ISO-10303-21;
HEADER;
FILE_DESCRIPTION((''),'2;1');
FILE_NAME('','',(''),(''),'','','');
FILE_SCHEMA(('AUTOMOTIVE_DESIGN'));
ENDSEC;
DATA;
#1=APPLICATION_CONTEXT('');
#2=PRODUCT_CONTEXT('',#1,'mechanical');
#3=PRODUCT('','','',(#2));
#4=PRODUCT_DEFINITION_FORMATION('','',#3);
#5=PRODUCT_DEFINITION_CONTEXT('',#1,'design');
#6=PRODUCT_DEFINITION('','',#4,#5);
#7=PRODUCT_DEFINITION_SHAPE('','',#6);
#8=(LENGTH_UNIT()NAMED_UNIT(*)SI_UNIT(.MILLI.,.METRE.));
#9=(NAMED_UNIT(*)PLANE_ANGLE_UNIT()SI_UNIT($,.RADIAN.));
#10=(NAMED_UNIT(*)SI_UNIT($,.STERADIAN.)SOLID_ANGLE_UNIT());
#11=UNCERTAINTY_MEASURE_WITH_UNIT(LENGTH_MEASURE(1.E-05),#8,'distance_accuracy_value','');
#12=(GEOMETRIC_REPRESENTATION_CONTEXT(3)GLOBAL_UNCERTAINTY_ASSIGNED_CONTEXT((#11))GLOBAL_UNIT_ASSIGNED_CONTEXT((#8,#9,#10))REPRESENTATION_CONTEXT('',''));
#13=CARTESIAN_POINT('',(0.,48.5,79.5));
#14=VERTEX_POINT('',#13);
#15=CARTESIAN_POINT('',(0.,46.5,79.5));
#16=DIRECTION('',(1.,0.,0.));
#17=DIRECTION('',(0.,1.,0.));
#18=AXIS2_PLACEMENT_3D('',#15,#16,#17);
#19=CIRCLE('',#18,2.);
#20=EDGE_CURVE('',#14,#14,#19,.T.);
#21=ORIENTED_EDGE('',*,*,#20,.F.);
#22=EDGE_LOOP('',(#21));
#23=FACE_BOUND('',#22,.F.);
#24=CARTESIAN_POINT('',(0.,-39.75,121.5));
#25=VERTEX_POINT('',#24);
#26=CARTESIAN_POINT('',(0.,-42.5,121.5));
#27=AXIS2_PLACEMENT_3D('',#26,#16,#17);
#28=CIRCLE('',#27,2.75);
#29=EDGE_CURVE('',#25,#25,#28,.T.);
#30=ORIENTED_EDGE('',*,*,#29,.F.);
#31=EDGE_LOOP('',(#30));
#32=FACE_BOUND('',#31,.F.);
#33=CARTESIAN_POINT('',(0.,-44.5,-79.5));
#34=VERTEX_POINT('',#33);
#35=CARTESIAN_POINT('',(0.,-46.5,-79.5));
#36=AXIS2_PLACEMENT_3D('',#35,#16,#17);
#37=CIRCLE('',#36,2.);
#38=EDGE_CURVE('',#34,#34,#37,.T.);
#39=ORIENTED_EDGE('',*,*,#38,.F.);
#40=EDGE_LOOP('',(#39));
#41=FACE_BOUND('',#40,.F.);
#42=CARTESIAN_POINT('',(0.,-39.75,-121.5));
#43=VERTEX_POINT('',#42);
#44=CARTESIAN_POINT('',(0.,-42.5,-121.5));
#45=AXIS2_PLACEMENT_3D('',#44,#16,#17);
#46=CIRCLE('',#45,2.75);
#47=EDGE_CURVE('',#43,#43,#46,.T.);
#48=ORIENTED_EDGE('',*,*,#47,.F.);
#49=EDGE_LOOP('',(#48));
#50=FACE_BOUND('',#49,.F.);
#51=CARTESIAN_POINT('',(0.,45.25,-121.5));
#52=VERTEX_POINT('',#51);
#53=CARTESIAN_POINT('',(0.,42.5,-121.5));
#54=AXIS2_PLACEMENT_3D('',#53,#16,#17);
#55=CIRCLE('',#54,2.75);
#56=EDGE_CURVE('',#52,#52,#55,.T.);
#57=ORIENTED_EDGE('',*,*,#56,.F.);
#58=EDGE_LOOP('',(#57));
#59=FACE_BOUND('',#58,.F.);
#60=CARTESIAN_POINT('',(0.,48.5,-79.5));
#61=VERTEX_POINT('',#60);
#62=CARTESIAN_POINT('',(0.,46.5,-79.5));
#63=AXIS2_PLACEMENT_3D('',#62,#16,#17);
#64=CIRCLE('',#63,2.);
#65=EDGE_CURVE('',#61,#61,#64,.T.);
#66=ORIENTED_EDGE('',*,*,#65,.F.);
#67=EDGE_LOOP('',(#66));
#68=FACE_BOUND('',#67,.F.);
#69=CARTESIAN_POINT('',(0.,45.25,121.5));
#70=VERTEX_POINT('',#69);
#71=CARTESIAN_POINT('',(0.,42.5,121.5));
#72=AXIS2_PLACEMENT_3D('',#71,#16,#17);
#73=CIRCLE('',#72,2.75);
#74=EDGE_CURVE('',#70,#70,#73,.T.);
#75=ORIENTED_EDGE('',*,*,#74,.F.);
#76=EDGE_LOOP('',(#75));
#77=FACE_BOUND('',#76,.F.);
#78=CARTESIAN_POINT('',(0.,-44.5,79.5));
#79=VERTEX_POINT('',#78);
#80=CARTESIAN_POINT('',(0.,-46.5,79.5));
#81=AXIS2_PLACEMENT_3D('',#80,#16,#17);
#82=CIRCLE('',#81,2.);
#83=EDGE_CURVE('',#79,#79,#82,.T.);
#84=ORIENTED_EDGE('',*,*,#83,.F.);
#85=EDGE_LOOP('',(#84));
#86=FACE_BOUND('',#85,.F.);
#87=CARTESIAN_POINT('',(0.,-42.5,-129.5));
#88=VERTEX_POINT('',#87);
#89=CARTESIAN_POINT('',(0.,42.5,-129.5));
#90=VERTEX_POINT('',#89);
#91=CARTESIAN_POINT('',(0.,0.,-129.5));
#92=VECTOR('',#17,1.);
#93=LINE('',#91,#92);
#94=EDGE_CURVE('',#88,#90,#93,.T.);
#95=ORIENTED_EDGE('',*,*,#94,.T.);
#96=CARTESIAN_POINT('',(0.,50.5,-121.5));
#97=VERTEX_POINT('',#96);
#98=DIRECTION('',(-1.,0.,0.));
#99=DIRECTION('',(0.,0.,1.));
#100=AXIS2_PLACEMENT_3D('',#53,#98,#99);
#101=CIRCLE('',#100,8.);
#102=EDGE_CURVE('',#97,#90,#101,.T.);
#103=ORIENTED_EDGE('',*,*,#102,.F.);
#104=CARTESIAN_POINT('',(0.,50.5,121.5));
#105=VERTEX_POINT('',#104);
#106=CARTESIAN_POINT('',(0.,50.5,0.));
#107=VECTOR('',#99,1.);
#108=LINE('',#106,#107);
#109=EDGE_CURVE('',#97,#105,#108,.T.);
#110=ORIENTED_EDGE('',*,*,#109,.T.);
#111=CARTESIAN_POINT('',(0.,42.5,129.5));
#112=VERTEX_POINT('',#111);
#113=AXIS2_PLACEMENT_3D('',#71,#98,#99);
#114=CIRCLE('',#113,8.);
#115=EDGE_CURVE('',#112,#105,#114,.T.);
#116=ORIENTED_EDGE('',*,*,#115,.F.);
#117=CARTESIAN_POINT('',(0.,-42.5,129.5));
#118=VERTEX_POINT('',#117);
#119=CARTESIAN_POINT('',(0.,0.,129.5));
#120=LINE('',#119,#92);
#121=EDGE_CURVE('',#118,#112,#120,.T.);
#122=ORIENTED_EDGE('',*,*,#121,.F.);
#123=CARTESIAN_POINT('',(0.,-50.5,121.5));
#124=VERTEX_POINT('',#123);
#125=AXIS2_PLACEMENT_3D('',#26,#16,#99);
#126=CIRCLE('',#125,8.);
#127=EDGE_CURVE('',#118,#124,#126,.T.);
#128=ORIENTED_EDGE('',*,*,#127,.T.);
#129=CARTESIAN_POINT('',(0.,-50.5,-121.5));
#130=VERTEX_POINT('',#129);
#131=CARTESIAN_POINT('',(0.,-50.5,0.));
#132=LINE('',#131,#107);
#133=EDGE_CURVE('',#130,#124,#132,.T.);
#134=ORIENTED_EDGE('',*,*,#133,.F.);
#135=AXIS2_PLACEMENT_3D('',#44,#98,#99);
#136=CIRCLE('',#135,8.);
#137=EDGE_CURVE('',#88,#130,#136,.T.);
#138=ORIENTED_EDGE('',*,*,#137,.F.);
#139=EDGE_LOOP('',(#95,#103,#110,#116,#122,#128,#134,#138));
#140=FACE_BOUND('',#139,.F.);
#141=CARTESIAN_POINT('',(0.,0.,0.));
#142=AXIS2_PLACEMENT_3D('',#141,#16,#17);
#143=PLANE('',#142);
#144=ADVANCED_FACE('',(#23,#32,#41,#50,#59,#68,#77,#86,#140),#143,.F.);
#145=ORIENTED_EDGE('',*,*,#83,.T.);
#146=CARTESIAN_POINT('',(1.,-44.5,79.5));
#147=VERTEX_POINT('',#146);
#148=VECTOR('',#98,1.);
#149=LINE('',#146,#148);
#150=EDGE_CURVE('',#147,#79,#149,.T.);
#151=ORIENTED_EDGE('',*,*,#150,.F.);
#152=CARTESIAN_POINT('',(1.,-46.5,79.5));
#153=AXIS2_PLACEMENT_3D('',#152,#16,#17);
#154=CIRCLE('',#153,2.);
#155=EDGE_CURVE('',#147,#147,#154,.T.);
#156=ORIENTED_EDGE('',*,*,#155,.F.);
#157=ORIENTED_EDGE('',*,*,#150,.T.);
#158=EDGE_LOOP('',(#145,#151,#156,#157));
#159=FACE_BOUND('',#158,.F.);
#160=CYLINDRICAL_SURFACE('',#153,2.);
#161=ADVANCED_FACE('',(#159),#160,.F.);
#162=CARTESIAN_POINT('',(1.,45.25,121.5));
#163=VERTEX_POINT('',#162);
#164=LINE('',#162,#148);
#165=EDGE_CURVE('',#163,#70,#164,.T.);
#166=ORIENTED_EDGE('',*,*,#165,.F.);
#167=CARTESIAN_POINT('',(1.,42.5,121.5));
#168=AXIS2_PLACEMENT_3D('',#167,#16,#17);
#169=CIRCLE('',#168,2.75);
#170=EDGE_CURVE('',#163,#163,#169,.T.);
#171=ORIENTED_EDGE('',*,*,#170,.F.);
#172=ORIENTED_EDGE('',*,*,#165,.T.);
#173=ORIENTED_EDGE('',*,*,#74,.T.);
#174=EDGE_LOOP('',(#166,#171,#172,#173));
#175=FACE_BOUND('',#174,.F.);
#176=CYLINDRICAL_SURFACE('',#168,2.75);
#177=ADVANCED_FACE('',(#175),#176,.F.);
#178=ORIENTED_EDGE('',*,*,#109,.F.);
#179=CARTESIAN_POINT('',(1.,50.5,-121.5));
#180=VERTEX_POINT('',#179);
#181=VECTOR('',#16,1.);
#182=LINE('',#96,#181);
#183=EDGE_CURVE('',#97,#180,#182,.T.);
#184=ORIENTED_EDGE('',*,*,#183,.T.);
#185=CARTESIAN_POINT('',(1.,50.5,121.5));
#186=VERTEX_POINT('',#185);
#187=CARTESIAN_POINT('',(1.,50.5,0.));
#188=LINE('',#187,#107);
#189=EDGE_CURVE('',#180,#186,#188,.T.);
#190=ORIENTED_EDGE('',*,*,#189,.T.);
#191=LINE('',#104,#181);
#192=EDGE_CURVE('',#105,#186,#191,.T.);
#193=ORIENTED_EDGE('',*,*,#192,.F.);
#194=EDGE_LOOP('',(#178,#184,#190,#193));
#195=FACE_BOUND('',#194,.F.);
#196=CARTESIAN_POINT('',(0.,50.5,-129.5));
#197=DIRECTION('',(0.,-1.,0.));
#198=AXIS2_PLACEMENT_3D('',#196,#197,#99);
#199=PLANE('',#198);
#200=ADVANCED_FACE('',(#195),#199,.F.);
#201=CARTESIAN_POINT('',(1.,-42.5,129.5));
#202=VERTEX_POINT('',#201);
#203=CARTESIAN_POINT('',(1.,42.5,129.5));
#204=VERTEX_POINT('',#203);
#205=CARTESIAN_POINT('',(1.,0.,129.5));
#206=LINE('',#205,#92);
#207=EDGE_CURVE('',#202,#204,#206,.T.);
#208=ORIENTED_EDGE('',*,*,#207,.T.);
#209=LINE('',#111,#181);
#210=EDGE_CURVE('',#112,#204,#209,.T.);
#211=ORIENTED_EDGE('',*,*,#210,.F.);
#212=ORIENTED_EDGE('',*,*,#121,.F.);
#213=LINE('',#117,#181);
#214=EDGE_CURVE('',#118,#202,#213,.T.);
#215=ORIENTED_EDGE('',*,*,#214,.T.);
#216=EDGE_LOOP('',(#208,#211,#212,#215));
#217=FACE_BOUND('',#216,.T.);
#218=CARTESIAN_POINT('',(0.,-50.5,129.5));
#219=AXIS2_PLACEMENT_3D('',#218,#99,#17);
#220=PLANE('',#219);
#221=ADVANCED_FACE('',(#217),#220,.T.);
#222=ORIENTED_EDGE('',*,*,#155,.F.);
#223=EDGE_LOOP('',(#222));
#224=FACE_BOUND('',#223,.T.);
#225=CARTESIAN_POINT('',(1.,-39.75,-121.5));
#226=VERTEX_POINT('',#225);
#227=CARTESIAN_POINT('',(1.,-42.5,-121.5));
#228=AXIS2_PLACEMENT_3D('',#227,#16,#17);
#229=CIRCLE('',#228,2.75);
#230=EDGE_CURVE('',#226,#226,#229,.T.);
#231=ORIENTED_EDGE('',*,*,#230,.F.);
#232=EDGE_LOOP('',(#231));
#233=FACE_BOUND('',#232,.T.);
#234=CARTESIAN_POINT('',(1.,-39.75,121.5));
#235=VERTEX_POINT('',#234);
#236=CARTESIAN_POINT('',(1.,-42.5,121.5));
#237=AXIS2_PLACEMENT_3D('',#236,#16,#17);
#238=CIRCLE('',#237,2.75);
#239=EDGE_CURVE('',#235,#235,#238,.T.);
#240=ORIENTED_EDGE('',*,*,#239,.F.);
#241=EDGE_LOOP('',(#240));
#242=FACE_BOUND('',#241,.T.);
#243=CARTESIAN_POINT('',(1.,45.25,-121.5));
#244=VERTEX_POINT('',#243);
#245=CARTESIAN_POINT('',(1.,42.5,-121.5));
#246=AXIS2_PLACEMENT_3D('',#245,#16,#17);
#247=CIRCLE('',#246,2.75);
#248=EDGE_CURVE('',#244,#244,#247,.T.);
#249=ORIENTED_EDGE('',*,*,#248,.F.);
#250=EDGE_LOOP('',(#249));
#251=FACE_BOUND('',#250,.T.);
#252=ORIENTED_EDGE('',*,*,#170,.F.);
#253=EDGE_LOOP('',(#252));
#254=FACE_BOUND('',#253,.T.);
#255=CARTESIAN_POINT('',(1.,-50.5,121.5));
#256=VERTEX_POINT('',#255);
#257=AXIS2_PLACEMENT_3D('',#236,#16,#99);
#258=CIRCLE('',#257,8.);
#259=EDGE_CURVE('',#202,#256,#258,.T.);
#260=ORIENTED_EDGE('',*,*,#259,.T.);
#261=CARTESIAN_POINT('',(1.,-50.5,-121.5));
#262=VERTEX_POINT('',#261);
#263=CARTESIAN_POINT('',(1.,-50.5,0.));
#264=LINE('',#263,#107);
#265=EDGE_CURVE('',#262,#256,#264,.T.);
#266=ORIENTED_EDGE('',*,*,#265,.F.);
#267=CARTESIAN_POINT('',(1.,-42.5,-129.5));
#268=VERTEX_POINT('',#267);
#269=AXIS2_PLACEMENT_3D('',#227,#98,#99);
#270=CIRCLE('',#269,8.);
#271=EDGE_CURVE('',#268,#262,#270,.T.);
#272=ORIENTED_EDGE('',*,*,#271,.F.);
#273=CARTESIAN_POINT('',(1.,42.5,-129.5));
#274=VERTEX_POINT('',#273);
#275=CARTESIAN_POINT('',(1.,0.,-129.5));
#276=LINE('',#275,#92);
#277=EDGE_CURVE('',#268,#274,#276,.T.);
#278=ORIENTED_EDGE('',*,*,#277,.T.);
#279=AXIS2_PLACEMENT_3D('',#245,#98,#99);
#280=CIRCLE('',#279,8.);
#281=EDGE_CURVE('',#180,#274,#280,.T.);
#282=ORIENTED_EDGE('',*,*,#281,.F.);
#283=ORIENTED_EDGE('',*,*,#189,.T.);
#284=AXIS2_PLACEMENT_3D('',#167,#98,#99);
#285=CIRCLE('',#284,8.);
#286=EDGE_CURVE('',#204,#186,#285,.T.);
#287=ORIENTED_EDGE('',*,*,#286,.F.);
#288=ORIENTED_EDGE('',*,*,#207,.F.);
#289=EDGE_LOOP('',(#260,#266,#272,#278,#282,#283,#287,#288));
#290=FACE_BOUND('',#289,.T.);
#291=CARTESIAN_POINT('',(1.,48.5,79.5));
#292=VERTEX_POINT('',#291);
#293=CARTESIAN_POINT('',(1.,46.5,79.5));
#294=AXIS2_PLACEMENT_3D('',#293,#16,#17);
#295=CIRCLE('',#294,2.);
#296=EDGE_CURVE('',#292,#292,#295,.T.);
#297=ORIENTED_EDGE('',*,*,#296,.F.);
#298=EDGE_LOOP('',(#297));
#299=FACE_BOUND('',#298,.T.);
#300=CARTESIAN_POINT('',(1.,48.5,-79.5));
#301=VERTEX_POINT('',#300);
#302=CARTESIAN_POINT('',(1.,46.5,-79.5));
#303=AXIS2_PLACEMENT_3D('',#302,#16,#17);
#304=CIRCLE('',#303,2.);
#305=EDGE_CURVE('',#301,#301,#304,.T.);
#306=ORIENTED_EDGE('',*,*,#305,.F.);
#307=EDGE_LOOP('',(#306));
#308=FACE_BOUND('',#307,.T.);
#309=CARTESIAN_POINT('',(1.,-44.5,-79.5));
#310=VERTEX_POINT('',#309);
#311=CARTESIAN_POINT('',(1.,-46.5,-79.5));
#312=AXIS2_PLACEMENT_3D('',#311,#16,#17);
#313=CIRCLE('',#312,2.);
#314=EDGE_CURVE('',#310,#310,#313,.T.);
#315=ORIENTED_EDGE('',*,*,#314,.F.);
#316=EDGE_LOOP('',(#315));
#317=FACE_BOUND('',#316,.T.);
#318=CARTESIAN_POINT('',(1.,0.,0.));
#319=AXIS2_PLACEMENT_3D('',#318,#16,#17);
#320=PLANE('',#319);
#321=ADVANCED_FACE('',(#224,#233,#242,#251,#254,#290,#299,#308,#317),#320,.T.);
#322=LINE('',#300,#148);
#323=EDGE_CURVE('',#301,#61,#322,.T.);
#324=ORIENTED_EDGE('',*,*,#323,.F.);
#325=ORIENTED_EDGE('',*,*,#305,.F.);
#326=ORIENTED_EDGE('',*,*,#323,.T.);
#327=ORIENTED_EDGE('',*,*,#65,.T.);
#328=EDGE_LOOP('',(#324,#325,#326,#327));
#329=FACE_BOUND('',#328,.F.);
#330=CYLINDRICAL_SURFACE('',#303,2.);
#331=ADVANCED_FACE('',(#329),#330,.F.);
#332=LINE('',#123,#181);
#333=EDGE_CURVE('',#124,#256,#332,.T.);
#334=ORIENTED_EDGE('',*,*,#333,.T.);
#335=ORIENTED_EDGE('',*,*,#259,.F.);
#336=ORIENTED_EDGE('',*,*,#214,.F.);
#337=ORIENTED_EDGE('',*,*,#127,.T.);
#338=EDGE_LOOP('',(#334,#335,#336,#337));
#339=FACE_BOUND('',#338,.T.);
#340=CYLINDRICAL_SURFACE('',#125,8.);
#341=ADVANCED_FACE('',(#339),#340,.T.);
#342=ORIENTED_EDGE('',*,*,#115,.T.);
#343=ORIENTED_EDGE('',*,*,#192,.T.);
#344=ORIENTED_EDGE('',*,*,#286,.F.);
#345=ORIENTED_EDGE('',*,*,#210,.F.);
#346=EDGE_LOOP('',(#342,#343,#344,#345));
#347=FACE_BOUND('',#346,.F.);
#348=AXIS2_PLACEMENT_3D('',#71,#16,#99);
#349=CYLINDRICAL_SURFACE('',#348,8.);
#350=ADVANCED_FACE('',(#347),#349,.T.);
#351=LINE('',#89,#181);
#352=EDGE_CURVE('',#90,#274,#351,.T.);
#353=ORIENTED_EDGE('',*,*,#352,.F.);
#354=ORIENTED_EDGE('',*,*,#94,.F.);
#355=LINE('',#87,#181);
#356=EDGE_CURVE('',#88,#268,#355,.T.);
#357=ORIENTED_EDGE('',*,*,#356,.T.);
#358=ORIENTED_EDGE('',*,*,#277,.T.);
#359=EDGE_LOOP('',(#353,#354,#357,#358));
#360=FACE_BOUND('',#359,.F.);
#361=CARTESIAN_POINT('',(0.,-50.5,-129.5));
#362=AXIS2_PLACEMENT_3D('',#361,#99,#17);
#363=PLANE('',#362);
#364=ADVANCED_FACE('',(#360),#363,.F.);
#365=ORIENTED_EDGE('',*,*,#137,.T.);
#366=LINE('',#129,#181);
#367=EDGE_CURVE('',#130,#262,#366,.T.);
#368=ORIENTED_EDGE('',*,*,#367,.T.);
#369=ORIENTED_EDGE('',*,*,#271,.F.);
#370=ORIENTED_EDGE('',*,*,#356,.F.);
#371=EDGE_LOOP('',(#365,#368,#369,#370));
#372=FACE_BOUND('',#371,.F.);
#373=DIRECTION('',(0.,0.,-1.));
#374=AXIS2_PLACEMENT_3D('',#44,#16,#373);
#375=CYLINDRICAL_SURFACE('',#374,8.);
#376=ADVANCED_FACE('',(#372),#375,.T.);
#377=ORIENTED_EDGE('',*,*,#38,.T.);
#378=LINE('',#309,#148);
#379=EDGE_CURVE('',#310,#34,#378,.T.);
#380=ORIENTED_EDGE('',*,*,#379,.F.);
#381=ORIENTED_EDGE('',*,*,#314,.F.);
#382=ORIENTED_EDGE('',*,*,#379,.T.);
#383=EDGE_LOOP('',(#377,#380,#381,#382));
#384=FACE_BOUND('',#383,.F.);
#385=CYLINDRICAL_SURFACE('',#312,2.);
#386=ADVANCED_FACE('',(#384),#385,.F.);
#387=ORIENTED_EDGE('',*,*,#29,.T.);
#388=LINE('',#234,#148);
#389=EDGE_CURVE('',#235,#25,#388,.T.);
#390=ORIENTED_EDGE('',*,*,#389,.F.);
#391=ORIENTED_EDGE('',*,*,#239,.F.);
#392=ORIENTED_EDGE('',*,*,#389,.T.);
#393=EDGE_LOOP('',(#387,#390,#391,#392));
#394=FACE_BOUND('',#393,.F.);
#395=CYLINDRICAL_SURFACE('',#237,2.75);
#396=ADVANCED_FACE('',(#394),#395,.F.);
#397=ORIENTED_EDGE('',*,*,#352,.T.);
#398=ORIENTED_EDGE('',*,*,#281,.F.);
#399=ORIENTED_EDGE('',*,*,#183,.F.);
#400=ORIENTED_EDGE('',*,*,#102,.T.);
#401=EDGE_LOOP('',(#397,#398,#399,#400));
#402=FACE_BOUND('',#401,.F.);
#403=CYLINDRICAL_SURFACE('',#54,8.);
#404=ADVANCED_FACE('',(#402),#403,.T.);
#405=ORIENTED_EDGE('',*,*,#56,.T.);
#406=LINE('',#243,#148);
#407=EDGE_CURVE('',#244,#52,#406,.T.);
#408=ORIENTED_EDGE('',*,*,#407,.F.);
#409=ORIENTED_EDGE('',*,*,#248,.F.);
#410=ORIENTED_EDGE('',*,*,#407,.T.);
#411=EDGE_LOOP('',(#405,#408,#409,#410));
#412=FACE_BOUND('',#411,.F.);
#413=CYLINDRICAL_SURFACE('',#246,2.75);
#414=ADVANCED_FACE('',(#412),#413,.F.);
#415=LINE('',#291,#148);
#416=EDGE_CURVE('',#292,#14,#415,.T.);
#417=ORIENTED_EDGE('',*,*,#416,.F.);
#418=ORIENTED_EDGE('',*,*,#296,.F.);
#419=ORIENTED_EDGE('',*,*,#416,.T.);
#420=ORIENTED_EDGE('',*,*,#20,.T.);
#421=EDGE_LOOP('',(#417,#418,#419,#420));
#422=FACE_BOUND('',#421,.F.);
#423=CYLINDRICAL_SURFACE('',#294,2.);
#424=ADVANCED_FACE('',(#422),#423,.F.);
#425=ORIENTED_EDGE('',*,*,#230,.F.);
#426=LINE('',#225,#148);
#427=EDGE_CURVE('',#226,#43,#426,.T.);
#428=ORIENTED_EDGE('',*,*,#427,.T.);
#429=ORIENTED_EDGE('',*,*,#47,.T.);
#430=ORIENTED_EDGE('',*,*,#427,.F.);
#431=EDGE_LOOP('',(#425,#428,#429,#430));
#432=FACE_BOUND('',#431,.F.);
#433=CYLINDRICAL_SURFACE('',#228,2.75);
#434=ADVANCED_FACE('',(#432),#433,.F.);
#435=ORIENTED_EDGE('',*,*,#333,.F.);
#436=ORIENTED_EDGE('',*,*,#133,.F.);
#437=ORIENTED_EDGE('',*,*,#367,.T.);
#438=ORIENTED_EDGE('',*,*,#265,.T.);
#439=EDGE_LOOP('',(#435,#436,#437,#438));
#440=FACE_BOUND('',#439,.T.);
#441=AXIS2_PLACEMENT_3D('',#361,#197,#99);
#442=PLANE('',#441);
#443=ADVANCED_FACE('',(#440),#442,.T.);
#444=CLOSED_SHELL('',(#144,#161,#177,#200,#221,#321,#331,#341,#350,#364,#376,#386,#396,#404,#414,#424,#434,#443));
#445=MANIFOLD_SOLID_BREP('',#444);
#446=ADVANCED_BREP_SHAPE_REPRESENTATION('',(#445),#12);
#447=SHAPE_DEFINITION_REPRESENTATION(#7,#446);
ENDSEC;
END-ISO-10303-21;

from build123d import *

# Parameters (mm, degrees)
SKETCH_W      = 101
SKETCH_H      = 259
PAD_DEPTH     = 1
SKETCH001_R   = 2.75
SKETCH001_R_2 = 2
POCKET_DEPTH  = 1.001
FILLET_R      = 8
FILLET001_R   = 8
FILLET002_R   = 8
FILLET003_R   = 8


with BuildPart() as part:
    # Sketch → Pad (new body)
    with BuildSketch(Plane.YZ):
        Rectangle(SKETCH_W, SKETCH_H)
    extrude(amount=PAD_DEPTH)

    # Sketch001 (on Face6 of Pad) → Pocket (cut, through all)
    with BuildSketch(Plane.YZ.offset(1)):
        with Locations((42.5, 121.5)):
            Circle(SKETCH001_R)
        with Locations((-42.5, 121.5)):
            Circle(SKETCH001_R)
        with Locations((-42.5, -121.5)):
            Circle(SKETCH001_R)
        with Locations((42.5, -121.5)):
            Circle(SKETCH001_R)
        with Locations((-46.5, 79.5)):
            Circle(SKETCH001_R_2)
        with Locations((46.5, 79.5)):
            Circle(SKETCH001_R_2)
        with Locations((-46.5, -79.5)):
            Circle(SKETCH001_R_2)
        with Locations((46.5, -79.5)):
            Circle(SKETCH001_R_2)
    extrude(amount=-POCKET_DEPTH, mode=Mode.SUBTRACT)

    # Fillet
    fillet_edges = [part.edges().sort_by_distance(p)[0] for p in [
        (0.5, 50.5, 129.5),
    ]]
    fillet(fillet_edges, radius=FILLET_R)

    # Fillet001
    fillet001_edges = [part.edges().sort_by_distance(p)[0] for p in [
        (0.5, -50.5, 129.5),
    ]]
    fillet(fillet001_edges, radius=FILLET001_R)

    # Fillet002
    fillet002_edges = [part.edges().sort_by_distance(p)[0] for p in [
        (0.5, 50.5, -129.5),
    ]]
    fillet(fillet002_edges, radius=FILLET002_R)

    # Fillet003
    fillet003_edges = [part.edges().sort_by_distance(p)[0] for p in [
        (0.5, -50.5, -129.5),
    ]]
    fillet(fillet003_edges, radius=FILLET003_R)


solid = part.part
